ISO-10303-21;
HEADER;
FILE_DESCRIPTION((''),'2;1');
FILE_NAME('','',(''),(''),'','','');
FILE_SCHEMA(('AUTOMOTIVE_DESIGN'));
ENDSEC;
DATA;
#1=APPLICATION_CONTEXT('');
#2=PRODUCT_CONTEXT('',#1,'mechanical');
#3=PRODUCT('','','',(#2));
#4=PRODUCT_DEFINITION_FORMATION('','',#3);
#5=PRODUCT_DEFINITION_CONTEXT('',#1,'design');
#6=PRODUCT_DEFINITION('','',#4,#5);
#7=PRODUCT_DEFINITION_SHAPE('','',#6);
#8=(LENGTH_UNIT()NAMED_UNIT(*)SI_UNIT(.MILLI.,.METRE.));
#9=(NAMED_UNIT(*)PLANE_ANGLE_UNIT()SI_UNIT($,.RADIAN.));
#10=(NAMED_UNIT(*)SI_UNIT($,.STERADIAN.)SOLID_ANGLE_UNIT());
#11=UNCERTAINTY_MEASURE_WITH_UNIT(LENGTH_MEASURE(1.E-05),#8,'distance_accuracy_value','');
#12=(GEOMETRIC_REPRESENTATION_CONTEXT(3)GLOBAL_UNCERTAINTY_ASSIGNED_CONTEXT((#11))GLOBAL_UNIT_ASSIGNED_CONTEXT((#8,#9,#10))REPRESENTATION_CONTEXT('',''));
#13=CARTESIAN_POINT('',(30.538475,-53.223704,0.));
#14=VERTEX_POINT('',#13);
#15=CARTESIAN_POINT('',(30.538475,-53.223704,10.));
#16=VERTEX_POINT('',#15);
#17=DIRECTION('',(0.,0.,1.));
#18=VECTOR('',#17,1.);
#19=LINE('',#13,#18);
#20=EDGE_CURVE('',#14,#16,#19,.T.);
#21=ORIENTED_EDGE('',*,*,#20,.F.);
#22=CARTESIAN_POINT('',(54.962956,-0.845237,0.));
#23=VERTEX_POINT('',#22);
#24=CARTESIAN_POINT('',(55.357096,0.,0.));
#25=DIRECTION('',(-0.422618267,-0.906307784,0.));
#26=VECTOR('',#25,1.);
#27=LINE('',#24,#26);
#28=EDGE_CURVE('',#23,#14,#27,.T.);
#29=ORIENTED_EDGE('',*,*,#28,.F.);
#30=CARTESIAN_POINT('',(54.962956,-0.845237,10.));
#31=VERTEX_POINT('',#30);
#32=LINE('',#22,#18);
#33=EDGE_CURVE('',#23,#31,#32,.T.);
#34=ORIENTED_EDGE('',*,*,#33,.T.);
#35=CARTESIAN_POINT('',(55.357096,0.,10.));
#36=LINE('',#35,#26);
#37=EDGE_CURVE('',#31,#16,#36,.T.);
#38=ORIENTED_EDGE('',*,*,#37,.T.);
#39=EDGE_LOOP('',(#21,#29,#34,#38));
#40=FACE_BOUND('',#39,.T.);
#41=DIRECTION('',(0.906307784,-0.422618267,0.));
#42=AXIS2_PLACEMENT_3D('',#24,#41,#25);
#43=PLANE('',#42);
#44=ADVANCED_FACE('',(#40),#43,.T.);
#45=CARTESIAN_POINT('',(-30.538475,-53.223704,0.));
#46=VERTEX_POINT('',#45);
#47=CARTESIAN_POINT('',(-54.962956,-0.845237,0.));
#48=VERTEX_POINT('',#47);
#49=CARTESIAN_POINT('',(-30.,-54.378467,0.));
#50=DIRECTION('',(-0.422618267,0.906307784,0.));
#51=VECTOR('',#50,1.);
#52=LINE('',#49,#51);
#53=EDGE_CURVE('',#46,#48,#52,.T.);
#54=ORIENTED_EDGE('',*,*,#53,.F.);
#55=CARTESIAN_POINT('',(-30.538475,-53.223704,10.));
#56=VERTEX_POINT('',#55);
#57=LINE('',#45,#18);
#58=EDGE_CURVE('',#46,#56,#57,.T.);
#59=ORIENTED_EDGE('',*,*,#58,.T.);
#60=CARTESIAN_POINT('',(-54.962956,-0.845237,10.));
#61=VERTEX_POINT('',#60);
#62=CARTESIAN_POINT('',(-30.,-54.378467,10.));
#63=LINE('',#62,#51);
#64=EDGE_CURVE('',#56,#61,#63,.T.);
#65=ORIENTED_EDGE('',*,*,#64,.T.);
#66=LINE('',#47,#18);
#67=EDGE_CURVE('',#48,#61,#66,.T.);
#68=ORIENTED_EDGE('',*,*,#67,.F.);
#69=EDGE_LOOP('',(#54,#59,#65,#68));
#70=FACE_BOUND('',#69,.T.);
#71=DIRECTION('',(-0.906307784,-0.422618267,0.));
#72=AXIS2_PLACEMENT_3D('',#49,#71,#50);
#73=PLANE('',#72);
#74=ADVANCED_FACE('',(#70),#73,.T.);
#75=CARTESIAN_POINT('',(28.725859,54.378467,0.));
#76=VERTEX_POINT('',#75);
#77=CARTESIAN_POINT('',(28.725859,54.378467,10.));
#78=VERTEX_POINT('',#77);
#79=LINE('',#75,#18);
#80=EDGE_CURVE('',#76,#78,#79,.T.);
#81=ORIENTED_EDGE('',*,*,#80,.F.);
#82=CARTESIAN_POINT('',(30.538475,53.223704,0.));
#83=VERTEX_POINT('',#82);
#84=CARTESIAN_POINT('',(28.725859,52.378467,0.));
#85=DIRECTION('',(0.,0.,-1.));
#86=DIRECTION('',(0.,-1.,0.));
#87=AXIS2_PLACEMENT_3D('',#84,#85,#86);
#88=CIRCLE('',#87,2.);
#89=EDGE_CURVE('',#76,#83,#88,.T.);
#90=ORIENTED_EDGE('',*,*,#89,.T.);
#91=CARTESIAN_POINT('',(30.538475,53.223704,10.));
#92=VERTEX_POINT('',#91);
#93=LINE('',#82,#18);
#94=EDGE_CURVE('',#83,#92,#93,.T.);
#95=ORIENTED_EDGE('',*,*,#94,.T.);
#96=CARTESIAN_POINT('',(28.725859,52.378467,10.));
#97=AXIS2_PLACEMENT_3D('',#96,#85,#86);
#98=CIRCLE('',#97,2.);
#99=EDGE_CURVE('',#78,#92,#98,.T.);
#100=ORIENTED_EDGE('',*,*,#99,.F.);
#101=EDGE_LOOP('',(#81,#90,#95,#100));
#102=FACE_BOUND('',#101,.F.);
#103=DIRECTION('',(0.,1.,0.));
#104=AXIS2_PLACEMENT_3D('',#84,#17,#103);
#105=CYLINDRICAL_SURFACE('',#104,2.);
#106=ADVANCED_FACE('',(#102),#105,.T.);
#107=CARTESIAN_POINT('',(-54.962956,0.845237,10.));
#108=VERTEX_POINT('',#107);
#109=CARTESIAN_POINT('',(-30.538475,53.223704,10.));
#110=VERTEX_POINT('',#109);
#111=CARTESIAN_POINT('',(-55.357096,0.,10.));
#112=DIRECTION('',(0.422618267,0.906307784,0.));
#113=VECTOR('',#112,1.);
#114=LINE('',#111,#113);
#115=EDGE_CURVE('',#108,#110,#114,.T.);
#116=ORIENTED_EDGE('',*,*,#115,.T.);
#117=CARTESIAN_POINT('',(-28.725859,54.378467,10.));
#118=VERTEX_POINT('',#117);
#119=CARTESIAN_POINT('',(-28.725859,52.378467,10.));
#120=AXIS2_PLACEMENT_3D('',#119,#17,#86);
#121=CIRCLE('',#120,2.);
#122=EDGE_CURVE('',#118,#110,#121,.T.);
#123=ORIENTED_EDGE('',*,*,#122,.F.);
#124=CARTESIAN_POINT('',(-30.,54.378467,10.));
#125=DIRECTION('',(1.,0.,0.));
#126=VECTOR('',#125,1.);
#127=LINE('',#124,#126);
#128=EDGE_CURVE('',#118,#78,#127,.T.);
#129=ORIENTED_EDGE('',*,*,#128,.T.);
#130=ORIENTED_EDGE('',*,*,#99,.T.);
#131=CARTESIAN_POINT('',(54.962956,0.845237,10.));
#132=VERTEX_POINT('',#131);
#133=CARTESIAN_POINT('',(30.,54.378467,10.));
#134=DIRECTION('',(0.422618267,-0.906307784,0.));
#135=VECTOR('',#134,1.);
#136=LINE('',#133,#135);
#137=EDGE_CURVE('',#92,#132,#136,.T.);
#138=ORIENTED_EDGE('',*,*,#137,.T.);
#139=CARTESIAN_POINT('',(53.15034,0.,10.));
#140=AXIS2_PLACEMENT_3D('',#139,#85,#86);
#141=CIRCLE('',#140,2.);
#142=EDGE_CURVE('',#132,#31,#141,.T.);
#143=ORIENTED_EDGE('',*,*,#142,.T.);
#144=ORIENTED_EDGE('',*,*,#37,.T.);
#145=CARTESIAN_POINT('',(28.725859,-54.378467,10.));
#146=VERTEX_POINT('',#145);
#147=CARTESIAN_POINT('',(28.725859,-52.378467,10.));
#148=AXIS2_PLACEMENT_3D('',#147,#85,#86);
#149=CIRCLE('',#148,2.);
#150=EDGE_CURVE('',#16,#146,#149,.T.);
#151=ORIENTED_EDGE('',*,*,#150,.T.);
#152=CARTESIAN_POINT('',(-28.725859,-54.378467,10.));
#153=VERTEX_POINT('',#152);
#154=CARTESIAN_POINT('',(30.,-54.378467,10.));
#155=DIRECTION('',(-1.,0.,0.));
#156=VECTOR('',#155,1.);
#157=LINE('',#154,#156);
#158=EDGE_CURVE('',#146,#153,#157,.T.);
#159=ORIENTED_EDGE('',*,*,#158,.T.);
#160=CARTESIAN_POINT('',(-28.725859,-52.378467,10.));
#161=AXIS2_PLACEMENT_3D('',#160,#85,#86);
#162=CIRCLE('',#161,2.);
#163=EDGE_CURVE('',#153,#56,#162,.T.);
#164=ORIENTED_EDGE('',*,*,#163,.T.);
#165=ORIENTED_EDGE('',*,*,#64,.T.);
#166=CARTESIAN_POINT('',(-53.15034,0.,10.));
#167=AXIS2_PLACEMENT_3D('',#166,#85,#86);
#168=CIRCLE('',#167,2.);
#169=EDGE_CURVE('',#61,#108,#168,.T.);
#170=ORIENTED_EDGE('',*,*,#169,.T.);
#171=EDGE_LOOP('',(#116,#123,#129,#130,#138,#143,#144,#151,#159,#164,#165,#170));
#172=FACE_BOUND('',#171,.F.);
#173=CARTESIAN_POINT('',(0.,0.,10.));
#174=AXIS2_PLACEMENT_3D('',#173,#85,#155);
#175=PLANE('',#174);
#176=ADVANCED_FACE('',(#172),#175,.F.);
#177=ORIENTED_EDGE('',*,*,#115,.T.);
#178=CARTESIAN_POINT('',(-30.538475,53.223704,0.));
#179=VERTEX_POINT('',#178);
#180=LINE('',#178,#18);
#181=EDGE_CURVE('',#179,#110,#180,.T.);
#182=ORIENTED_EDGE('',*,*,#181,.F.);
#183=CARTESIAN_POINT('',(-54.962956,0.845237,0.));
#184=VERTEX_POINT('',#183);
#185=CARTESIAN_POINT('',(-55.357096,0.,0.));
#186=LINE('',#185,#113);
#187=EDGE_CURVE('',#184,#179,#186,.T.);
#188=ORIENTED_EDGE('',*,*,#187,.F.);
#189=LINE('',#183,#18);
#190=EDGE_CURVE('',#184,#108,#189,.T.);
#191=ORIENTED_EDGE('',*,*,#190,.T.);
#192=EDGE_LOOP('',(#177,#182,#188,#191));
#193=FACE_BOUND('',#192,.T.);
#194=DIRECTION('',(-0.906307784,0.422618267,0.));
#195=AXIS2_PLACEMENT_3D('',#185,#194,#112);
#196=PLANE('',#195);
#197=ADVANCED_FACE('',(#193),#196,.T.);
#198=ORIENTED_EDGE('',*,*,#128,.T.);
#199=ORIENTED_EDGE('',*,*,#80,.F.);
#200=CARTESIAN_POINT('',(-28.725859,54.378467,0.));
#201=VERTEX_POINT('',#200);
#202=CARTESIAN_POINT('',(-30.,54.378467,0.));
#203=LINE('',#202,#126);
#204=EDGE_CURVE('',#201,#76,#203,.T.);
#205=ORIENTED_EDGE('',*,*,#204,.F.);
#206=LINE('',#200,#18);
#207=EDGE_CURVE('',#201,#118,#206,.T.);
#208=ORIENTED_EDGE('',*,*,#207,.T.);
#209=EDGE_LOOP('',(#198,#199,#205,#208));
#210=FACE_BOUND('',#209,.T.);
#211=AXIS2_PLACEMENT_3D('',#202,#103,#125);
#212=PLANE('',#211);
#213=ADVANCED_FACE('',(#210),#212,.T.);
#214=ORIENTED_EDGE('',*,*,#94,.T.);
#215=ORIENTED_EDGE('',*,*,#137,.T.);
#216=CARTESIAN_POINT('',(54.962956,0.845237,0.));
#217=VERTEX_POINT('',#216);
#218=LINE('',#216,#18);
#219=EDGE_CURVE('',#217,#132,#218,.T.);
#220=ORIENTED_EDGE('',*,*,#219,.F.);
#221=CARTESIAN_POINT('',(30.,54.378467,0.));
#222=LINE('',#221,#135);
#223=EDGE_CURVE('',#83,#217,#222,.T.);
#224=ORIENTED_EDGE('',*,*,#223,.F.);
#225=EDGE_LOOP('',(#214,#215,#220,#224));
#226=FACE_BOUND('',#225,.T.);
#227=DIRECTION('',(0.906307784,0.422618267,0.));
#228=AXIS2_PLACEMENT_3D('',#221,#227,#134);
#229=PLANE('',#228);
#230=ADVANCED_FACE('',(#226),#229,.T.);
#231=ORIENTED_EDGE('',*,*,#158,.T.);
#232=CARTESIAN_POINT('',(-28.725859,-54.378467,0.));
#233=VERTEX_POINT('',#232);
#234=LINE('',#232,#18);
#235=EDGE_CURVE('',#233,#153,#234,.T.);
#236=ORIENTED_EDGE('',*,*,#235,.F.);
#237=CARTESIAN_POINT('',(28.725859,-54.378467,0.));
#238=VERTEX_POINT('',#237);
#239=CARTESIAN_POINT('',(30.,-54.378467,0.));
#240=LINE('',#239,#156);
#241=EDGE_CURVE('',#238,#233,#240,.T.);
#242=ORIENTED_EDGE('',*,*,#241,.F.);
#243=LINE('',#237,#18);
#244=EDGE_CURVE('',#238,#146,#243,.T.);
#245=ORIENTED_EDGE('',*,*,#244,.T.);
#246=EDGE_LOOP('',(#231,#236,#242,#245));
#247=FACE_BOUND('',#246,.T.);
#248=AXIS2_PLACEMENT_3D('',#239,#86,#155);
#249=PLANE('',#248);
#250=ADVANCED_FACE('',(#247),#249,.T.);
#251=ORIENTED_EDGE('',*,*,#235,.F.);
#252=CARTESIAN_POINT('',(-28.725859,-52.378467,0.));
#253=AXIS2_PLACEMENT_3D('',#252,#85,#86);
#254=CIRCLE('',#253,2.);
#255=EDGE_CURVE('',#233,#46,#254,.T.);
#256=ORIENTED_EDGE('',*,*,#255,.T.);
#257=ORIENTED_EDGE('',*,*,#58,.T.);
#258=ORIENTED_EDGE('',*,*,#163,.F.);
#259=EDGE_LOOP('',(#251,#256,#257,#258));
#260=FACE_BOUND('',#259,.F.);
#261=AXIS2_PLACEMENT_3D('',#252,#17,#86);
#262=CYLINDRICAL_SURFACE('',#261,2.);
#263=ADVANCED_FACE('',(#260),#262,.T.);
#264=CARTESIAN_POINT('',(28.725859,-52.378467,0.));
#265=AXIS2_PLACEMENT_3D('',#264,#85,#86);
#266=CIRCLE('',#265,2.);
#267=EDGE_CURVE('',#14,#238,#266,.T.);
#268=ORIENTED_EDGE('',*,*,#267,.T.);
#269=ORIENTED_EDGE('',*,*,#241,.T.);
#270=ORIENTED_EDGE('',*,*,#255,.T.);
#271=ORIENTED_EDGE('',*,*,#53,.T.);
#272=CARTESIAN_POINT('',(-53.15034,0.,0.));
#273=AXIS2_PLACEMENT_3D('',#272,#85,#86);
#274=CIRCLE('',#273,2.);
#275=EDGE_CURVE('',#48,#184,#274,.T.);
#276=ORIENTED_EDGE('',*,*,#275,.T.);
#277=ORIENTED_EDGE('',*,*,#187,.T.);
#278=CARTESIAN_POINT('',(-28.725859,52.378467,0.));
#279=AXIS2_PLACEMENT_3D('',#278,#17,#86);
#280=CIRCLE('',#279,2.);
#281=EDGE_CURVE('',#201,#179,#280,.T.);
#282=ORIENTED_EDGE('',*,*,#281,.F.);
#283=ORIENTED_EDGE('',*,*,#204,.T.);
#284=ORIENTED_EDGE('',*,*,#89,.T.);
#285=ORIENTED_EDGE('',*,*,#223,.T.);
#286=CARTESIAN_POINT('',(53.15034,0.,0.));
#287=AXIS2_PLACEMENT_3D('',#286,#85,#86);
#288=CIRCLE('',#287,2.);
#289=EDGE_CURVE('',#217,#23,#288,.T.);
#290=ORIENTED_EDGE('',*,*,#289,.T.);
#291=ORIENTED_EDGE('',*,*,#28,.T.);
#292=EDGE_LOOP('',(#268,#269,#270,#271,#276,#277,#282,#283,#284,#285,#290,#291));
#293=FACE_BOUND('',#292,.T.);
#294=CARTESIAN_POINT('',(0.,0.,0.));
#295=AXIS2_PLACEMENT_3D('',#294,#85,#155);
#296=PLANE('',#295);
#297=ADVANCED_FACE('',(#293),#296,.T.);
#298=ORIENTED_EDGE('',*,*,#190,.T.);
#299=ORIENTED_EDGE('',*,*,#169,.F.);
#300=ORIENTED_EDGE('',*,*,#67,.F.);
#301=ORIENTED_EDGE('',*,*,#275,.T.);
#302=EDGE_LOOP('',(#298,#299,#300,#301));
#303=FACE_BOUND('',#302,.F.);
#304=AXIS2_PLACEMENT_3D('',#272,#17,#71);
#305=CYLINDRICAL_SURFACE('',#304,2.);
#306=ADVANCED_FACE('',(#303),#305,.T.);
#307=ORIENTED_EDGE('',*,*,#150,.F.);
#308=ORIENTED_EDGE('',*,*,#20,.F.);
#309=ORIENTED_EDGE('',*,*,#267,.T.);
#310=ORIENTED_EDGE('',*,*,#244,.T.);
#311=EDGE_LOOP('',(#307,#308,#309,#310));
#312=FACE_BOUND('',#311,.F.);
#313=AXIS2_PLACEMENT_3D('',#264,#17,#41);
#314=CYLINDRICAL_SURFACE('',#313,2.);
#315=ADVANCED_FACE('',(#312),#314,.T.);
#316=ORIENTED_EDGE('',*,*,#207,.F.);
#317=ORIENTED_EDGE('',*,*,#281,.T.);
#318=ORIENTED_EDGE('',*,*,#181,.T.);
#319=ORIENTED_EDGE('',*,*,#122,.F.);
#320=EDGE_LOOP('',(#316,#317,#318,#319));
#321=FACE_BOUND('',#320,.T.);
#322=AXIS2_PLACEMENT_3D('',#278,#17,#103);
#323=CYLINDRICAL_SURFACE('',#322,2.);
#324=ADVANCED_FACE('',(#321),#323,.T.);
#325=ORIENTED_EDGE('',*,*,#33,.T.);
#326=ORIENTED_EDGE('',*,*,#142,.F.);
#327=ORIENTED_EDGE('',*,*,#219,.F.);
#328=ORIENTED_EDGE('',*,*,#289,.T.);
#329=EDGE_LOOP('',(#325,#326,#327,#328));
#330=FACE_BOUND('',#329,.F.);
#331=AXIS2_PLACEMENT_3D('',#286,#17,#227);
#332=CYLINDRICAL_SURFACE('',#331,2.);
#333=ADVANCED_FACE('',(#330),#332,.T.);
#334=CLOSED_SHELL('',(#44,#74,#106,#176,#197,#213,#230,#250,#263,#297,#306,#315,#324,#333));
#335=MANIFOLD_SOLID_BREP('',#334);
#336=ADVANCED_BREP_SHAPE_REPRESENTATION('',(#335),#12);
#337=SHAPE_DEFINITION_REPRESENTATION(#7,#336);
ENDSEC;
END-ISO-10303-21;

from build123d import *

# Parameters (mm, degrees)
PAD_DEPTH = 10
FILLET_R  = 2


with BuildPart() as part:
    # Sketch → Pad (new body)
    with BuildSketch(Plane.XY):
        Polygon((-30, 54.378467), (30, 54.378467), (55.357096, 0), (30, -54.378467), (-30, -54.378467), (-55.357096, 0), align=None)
    extrude(amount=PAD_DEPTH)

    # Fillet
    fillet_edges = [part.edges().sort_by_distance(p)[0] for p in [
        (30, 54.378467, 5),
        (-30, 54.378467, 5),
        (-55.357096, 0, 5),
        (-30, -54.378467, 5),
        (30, -54.378467, 5),
        (55.357096, 0, 5),
    ]]
    fillet(fillet_edges, radius=FILLET_R)


solid = part.part
